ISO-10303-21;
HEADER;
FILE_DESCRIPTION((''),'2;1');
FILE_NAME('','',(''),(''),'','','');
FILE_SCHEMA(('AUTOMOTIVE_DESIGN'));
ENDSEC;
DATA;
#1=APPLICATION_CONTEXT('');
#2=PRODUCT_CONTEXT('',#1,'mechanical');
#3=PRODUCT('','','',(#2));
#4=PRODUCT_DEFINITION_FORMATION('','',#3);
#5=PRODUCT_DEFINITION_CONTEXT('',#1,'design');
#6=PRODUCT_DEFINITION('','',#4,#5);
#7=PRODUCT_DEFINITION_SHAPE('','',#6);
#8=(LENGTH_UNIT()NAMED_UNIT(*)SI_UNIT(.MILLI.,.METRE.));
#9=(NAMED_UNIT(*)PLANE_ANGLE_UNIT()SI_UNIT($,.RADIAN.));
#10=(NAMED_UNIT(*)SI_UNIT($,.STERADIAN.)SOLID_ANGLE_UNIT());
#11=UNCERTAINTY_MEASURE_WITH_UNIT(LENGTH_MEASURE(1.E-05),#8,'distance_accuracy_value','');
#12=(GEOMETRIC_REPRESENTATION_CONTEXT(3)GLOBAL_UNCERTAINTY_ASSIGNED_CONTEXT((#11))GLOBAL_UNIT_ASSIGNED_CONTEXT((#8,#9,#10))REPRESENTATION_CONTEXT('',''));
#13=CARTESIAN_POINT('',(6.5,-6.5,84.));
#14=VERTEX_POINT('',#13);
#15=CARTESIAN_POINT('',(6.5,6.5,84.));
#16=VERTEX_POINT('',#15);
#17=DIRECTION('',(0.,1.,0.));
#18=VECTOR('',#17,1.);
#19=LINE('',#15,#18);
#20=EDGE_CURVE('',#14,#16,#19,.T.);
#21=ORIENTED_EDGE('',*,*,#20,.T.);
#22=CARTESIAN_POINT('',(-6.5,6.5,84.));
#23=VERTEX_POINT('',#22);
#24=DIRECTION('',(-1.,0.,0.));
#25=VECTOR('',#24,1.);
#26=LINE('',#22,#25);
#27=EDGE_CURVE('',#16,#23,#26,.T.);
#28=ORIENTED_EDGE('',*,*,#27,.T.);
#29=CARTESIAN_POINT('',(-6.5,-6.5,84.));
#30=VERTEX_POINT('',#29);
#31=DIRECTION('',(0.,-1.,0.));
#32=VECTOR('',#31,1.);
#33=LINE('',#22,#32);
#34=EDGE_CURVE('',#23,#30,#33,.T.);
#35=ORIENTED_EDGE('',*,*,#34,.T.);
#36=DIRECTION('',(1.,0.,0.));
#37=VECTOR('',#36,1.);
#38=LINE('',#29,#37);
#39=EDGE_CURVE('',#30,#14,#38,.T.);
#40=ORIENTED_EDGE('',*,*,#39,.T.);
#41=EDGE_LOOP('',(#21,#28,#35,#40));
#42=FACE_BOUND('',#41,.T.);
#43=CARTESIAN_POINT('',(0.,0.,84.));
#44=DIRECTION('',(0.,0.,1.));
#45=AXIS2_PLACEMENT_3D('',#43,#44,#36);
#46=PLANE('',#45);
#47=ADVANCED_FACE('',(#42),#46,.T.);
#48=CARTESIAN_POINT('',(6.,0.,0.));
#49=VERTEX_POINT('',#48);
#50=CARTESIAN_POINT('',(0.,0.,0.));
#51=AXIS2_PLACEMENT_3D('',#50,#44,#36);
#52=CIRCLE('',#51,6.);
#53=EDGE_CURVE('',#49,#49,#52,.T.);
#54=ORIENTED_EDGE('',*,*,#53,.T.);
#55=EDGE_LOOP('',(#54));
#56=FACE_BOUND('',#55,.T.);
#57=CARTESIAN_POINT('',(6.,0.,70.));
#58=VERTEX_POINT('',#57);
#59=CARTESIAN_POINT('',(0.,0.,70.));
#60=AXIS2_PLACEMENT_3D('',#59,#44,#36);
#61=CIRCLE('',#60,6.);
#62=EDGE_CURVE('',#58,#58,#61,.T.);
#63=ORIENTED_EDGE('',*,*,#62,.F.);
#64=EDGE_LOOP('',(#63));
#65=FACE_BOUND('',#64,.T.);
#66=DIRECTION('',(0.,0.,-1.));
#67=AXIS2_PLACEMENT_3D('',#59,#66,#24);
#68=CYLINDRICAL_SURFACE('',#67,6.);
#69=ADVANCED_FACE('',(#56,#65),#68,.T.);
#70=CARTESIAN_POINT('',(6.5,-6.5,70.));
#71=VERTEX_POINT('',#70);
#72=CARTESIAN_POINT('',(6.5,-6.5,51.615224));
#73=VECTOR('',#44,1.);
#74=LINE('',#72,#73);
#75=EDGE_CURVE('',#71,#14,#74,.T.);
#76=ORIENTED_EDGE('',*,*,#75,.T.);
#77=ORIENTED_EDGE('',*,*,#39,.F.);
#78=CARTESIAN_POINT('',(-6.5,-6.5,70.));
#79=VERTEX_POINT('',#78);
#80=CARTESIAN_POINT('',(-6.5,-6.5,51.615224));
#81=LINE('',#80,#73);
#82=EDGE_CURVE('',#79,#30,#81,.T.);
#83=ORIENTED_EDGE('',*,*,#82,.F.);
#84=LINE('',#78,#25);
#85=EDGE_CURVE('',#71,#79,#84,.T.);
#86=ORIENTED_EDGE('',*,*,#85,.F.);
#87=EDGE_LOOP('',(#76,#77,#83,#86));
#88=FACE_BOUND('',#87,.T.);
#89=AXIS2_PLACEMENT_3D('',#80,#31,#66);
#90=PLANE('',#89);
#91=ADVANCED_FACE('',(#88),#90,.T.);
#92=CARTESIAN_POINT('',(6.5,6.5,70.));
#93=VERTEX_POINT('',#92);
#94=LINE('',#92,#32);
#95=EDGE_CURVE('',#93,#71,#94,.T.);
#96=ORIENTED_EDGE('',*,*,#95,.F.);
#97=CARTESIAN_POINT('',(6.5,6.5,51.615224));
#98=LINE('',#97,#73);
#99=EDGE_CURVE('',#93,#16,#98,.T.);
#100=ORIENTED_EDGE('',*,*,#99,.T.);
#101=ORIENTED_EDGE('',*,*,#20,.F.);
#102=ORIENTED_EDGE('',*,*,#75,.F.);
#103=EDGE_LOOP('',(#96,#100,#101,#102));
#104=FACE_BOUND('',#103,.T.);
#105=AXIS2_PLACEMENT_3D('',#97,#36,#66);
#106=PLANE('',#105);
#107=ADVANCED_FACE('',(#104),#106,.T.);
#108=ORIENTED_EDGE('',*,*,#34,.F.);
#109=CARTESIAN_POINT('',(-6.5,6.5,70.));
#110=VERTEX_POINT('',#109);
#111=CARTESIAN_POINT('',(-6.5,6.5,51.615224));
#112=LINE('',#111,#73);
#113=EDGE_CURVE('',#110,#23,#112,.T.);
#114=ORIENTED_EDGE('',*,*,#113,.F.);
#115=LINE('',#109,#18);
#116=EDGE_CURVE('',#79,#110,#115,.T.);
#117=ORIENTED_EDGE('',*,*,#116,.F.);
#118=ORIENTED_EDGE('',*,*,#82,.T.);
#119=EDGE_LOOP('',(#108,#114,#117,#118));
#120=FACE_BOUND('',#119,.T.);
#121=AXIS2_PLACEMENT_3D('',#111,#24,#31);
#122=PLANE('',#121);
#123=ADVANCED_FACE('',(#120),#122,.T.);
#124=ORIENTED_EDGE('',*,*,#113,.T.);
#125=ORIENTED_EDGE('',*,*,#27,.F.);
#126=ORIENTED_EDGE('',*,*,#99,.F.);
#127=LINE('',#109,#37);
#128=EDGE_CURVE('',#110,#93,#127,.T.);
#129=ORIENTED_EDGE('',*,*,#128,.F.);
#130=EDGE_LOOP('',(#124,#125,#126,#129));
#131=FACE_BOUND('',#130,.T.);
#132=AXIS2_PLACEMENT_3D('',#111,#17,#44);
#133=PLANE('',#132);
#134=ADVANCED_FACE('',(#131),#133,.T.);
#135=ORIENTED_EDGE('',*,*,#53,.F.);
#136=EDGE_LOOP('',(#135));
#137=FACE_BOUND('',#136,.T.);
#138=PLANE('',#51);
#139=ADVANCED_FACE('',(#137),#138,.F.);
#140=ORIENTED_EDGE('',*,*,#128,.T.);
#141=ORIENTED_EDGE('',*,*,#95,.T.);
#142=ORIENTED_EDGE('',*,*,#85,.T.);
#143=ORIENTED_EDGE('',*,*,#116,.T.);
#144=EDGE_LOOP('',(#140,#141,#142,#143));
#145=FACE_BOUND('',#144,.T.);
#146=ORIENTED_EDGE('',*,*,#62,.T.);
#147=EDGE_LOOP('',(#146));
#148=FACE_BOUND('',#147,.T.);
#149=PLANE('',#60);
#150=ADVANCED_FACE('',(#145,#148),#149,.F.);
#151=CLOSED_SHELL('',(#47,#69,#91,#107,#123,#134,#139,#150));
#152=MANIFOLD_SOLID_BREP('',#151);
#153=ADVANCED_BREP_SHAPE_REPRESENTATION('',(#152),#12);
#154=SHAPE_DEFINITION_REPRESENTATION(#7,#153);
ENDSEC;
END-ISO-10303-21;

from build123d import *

# Parameters (mm, degrees)
SKETCH1_R           = 6
BOSS_EXTRUDE1_DEPTH = 70
SKETCH2_W           = 13
SKETCH2_H           = 13
BOSS_EXTRUDE2_DEPTH = 14


with BuildPart() as part:
    # Sketch1 → Boss-Extrude1 (new body)
    with BuildSketch(Plane.XY):
        Circle(SKETCH1_R)
    extrude(amount=BOSS_EXTRUDE1_DEPTH)

    # Sketch2 → Boss-Extrude2 (add)
    with BuildSketch(Plane.XY.offset(84)):
        Rectangle(SKETCH2_W, SKETCH2_H)
    extrude(amount=-BOSS_EXTRUDE2_DEPTH)


solid = part.part
